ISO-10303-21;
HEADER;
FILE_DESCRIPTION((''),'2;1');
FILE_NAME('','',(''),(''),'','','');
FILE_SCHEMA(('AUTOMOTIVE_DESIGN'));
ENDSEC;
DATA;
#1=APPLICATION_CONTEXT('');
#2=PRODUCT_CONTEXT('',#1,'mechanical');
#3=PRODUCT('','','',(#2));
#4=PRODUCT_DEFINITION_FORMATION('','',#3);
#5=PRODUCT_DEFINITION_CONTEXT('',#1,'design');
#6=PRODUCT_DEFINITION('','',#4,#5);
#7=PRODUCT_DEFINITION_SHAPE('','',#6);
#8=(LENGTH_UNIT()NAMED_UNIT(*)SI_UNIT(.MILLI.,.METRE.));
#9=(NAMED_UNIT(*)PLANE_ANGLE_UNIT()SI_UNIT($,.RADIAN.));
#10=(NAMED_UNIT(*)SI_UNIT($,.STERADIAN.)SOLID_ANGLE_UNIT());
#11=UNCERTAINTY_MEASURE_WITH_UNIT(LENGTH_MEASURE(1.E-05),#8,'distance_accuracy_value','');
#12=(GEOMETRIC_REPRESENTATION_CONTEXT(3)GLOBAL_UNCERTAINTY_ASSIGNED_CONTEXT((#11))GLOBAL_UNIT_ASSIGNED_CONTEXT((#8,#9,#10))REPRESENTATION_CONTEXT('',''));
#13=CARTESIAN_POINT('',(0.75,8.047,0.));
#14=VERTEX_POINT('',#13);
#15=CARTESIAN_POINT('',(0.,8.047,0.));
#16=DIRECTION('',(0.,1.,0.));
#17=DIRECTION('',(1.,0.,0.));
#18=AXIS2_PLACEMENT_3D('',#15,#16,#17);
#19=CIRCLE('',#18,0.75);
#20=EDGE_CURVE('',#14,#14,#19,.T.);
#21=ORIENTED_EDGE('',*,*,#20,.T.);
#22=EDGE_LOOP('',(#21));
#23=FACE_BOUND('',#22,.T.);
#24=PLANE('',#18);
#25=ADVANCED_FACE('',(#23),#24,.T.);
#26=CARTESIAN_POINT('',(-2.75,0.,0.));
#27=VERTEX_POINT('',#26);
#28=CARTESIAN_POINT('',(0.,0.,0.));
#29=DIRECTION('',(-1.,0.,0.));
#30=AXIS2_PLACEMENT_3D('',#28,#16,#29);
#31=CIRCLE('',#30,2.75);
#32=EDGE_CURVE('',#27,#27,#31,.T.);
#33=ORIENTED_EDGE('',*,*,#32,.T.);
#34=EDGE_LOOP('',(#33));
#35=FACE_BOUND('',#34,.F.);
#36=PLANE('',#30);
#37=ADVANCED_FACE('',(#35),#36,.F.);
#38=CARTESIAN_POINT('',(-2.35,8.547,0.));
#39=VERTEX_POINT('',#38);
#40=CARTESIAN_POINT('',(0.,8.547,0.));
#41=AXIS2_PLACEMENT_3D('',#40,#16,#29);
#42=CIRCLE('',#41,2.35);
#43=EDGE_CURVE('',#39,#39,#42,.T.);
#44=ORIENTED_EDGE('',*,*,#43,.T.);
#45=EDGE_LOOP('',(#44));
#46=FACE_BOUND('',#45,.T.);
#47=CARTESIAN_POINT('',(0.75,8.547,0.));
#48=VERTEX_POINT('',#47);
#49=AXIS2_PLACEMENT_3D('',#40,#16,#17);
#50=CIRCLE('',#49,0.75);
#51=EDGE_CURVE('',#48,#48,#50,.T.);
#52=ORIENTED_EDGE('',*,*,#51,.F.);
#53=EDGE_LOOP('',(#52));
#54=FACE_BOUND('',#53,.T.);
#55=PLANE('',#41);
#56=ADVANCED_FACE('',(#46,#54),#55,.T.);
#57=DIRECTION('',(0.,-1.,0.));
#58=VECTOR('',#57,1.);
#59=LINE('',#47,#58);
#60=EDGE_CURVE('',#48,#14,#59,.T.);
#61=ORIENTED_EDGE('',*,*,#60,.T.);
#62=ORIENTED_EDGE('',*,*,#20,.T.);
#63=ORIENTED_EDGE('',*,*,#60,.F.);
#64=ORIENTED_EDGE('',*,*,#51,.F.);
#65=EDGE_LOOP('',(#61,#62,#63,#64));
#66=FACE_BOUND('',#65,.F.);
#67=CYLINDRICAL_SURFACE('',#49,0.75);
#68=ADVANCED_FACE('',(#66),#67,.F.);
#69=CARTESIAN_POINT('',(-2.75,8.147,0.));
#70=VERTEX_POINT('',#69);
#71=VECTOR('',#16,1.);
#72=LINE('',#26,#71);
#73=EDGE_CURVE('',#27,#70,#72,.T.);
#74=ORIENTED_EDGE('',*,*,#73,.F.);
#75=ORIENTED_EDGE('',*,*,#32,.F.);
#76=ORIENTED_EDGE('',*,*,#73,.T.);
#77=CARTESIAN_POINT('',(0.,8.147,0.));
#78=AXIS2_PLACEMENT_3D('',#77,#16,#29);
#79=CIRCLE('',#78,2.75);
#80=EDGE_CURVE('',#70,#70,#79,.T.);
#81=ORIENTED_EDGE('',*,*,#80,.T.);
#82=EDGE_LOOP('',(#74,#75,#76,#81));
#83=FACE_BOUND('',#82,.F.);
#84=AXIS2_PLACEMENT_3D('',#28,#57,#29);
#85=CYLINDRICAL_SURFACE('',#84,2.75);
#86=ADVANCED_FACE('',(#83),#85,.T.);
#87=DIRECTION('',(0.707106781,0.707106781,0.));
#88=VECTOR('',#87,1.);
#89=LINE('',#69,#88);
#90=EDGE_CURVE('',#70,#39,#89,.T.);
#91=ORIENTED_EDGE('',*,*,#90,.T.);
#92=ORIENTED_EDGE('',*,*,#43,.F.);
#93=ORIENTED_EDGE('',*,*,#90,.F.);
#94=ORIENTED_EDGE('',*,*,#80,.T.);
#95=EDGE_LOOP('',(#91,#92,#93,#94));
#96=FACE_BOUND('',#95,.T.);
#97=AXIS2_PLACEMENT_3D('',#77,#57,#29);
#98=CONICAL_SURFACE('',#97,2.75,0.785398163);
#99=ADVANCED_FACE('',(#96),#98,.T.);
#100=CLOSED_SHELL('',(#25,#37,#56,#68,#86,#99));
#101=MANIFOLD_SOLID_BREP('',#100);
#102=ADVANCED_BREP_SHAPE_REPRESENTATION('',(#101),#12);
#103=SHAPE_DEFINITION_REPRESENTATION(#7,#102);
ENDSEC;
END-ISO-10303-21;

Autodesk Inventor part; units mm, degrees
ref_plane "YZ Plane" through (0, 0, 0) normal (1, 0, 0) x (0, 1, 0)
ref_plane "XZ Plane" through (0, 0, 0) normal (0, 1, 0) x (-1, 0, 0)
ref_plane "XY Plane" through (0, 0, 0) normal (0, 0, 1) x (1, 0, 0)
sketch "Sketch1" plane through (0, 0, 0) normal (0, 1, 0) x (-1, 0, 0)
  circle A0 centre (0, 0) radius 2.75
  dimension "d0" = 5.5
extrude "Extrusion1" add sketch "Sketch1" along normal blind 8.547
chamfer "Chamfer1" distance 0.4 angle 45 1 edges at (2.75, 8.547, 0)
sketch "Sketch2" plane through (0, 8.547, 0) normal (0, 1, 0) x (1, 0, 0)
  circle A0 centre (0, 0) radius 2.35 projected
  circle A1 centre (0, 0) radius 0.75
  dimension "d6" = 1.5
extrude "Extrusion2" cut sketch "Sketch2" against normal blind 0.5 contours A1
properties part number "main_lcd_push_button" material "ABS Plastic"
